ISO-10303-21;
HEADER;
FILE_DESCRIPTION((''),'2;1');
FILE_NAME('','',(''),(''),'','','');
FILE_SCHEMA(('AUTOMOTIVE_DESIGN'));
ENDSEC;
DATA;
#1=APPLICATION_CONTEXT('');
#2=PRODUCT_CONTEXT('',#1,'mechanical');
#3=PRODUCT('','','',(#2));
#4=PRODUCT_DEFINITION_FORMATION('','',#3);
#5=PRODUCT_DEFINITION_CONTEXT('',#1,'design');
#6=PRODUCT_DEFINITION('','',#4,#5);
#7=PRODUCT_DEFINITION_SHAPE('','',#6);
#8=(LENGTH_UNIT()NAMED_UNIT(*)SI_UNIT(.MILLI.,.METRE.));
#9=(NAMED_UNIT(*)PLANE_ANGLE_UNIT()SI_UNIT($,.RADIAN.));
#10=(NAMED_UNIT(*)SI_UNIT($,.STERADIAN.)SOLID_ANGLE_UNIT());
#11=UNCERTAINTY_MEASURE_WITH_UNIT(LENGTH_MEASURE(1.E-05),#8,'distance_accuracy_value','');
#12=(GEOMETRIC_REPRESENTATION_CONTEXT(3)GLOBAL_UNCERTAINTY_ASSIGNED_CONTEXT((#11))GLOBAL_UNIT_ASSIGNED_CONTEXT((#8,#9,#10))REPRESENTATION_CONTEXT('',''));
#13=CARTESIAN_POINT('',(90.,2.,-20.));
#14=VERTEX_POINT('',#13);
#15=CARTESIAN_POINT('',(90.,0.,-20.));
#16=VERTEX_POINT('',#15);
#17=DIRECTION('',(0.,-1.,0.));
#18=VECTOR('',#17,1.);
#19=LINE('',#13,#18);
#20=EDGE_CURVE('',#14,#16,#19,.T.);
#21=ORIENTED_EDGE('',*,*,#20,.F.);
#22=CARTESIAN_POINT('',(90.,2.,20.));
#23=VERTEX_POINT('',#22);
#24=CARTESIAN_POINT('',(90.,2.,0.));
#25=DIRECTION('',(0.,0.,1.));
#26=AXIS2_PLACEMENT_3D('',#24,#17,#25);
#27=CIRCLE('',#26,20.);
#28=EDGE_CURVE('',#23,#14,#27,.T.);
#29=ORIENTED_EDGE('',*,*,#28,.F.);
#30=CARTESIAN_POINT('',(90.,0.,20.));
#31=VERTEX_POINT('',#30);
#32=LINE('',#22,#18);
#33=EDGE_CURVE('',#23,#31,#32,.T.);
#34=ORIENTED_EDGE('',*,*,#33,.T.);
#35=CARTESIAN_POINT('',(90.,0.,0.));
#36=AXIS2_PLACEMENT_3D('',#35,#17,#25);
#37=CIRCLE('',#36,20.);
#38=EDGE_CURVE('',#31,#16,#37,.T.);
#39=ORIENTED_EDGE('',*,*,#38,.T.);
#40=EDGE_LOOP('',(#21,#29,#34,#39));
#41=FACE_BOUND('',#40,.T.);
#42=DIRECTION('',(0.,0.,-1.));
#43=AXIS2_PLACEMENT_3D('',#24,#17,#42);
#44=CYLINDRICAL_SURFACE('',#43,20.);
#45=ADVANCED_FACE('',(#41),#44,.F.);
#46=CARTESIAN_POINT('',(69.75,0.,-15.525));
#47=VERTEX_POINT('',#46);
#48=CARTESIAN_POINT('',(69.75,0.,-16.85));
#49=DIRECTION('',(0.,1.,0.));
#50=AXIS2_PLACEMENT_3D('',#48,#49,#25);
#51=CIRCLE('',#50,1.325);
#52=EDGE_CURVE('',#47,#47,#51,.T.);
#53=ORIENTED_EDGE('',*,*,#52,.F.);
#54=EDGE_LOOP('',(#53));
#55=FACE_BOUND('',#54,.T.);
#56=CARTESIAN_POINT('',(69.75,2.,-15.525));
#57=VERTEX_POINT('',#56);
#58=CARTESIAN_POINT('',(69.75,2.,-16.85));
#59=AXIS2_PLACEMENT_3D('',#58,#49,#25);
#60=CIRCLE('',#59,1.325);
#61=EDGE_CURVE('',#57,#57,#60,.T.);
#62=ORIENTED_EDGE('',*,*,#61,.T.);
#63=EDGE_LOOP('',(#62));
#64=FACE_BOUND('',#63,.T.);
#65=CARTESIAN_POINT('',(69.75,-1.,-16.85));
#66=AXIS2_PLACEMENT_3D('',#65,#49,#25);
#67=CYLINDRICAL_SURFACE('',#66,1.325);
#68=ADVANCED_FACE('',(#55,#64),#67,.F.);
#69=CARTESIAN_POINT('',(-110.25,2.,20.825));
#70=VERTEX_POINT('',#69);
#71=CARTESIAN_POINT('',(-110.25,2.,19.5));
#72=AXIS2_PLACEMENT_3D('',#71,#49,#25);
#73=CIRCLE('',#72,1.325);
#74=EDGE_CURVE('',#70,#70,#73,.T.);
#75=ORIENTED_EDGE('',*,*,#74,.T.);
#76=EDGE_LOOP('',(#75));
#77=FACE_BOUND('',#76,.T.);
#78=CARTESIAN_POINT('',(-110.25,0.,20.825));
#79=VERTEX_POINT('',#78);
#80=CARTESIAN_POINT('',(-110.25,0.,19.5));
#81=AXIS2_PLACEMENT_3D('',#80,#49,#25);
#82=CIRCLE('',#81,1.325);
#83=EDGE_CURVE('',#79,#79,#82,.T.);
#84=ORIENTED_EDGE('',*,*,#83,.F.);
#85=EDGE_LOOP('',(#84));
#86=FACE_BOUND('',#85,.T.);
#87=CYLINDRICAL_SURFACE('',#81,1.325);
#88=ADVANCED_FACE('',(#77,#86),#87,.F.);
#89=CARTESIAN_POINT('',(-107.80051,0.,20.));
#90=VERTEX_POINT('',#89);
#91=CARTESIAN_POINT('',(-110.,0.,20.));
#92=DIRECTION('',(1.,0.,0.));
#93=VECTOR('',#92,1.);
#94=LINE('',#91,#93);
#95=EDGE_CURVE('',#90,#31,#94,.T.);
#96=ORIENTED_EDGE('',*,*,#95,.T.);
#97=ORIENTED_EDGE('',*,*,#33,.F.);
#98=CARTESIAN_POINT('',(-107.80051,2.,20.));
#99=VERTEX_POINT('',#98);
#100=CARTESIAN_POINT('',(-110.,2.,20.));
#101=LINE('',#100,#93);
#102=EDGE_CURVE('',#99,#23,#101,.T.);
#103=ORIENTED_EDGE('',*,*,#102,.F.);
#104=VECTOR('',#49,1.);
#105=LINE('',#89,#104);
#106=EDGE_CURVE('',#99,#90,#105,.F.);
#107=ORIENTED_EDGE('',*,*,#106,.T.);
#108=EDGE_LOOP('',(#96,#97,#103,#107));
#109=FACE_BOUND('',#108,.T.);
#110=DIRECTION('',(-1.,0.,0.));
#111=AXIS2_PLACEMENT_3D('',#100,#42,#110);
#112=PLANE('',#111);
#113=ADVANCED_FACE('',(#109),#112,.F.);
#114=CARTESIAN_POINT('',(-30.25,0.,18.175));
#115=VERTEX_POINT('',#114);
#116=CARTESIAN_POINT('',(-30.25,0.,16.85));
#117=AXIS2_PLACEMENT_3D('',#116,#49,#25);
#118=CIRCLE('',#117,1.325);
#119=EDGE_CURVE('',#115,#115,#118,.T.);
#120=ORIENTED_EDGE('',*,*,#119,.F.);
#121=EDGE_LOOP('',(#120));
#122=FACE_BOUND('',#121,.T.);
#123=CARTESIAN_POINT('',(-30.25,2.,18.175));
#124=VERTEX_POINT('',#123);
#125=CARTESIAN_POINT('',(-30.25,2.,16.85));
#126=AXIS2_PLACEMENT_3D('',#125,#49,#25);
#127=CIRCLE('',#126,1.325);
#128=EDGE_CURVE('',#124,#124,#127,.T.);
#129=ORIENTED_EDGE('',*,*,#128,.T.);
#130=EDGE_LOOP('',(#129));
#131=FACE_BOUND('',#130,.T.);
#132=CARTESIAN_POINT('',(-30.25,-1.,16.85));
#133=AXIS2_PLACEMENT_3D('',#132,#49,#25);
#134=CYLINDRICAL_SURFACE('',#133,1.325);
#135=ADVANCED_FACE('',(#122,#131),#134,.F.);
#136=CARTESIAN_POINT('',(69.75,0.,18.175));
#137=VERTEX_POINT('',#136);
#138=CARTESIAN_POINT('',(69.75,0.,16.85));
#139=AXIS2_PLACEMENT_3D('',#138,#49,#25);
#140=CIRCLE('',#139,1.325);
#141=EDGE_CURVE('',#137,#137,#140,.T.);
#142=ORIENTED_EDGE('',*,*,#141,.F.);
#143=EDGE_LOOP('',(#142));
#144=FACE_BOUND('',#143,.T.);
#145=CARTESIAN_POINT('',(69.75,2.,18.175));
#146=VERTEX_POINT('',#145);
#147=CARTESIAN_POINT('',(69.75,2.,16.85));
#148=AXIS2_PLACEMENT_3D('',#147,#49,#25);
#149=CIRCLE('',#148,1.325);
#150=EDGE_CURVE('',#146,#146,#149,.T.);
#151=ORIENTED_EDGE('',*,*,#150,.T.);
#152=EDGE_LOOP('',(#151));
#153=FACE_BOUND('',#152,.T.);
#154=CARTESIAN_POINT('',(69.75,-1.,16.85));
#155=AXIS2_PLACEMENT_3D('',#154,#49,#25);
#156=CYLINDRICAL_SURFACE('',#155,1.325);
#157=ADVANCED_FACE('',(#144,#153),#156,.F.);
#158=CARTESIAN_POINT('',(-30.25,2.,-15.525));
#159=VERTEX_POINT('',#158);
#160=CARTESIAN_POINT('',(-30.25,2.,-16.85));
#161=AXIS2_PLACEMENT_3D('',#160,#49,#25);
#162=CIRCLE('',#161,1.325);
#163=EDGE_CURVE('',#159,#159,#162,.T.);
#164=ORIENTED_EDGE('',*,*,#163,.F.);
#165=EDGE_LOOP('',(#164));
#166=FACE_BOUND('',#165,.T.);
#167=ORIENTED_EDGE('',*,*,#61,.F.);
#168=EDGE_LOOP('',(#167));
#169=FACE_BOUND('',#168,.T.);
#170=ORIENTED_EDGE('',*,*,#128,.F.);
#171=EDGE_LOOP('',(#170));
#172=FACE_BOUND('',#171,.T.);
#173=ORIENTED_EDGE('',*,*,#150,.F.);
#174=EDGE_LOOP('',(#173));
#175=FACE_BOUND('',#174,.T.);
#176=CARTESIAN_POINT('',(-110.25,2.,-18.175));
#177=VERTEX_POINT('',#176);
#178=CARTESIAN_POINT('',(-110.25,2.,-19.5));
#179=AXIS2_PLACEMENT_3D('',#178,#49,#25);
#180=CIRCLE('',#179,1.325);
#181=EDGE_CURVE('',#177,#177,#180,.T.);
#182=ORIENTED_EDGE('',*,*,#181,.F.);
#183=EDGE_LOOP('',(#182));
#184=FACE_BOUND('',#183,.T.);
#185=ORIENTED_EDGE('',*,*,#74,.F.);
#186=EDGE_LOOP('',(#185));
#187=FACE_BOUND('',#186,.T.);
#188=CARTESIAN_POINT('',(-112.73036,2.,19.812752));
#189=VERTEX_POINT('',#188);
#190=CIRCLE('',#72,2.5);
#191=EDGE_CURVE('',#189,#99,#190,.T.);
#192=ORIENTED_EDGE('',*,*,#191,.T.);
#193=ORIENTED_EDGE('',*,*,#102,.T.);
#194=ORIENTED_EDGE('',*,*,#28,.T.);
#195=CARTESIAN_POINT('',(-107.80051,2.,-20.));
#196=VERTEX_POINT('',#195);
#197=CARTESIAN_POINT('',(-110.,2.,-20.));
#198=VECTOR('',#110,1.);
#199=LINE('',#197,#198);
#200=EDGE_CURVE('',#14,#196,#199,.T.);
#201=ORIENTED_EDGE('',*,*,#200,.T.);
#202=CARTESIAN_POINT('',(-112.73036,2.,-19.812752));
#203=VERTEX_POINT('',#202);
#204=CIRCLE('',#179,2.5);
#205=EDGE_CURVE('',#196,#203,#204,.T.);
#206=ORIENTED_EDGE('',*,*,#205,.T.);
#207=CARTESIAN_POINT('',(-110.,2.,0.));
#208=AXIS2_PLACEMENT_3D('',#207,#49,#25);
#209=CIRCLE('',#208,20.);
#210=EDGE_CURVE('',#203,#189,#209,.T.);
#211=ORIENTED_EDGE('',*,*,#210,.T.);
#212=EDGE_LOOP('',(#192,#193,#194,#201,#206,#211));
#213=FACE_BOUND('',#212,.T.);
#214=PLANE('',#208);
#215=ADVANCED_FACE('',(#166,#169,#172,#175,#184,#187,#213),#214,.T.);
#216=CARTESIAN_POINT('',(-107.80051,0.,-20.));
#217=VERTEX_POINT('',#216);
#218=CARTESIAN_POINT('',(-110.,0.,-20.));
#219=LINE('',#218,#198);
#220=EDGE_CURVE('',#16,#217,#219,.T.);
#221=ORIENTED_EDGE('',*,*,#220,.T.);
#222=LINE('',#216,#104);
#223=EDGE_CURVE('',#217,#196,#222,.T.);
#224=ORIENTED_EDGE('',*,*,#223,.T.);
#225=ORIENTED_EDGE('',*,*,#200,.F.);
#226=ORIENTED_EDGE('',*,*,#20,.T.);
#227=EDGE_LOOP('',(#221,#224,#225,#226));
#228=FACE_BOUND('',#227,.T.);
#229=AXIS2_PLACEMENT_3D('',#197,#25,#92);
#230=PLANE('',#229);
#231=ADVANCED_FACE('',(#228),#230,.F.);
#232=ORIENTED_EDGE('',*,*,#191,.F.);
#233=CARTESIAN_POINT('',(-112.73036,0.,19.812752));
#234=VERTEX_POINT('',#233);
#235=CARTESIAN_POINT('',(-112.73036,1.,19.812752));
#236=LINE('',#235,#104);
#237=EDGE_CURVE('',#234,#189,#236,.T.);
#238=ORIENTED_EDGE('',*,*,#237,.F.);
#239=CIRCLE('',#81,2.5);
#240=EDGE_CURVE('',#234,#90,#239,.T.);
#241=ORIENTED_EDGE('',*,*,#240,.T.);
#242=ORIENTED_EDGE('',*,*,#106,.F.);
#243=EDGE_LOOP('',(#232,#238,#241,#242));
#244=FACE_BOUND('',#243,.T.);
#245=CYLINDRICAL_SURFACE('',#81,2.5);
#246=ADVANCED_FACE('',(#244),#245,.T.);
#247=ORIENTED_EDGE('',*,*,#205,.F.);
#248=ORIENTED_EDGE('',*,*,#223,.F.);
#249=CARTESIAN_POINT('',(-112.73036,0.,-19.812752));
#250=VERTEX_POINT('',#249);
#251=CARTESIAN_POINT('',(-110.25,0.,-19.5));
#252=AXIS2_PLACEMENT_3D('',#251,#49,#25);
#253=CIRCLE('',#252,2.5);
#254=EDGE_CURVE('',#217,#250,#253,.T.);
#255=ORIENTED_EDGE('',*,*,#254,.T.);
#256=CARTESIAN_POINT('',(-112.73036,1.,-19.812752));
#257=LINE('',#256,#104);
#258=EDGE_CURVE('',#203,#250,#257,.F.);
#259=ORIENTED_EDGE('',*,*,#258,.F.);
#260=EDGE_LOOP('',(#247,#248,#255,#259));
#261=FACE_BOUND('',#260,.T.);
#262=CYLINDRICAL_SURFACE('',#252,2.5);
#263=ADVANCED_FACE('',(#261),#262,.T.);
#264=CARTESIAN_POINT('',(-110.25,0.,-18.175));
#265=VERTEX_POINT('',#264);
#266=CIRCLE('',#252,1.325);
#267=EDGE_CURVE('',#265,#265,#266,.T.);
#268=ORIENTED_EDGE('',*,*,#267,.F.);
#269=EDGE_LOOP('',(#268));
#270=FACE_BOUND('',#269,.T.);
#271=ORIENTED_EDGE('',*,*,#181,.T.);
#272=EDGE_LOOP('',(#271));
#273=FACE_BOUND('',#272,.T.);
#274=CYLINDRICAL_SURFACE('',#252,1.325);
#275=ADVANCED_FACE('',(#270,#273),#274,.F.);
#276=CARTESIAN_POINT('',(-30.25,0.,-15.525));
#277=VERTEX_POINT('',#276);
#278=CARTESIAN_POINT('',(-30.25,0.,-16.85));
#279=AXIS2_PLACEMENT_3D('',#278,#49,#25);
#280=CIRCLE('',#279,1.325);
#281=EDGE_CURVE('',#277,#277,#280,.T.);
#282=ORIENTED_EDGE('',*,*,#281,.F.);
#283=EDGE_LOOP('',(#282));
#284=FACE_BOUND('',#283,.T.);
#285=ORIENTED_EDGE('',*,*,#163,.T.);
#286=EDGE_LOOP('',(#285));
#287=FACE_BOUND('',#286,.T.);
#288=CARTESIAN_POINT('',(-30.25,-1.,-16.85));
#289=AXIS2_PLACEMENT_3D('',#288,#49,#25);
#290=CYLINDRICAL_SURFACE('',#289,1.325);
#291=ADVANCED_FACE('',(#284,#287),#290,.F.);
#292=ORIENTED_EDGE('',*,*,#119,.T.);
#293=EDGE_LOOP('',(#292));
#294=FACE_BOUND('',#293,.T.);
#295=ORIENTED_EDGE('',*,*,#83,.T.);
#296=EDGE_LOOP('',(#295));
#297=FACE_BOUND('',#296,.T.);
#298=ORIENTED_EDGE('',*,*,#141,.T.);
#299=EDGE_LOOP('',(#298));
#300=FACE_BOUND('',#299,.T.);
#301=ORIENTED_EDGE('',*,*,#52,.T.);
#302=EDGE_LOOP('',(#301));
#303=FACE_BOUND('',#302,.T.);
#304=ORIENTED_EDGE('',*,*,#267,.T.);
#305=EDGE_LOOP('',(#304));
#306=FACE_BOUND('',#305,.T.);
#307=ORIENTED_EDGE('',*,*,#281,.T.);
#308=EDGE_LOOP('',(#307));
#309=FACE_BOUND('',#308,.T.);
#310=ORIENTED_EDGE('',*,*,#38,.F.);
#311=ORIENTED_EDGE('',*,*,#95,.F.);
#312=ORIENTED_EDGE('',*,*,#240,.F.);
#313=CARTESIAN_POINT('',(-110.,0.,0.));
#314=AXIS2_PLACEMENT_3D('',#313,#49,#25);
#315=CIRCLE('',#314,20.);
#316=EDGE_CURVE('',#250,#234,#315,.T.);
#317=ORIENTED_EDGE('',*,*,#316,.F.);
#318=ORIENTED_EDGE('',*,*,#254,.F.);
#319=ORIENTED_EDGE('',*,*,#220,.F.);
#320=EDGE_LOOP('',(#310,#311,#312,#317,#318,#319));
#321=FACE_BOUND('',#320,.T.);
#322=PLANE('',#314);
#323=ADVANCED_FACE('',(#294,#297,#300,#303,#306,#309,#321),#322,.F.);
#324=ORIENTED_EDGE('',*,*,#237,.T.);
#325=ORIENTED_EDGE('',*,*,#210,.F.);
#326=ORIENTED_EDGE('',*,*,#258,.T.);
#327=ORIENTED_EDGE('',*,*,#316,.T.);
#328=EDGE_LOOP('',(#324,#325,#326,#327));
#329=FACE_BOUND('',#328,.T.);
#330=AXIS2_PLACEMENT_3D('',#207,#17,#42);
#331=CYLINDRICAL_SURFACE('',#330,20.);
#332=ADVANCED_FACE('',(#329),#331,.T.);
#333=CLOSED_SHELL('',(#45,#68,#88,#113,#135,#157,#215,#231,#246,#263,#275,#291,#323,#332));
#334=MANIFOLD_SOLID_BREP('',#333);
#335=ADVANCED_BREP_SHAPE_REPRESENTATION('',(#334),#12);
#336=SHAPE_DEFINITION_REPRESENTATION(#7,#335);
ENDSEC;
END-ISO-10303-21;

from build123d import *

# Parameters (mm, degrees)
BOSS_EXTRUDE1_DEPTH = 2
SKETCH3_R           = 1.325
CUT_EXTRUDE2_DEPTH  = 3
SKETCH6_R           = 2.5
BOSS_EXTRUDE2_DEPTH = 2
SKETCH7_R           = 1.325
CUT_EXTRUDE3_DEPTH  = 132.863565855


with BuildPart() as part:
    # Sketch1 → Boss-Extrude1 (new body)
    with BuildSketch(Plane(origin=(0, 0, 0), x_dir=(1, 0, 0), z_dir=(0, 1, 0))):
        with BuildLine():
            Line((-110, 20), (90, 20))
            ThreePointArc((90, 20), (70, 0), (90, -20))
            Line((90, -20), (-110, -20))
            ThreePointArc((-110, -20), (-130, 0), (-110, 20))
        make_face()
    extrude(amount=BOSS_EXTRUDE1_DEPTH)

    # Sketch3 → Cut-Extrude2 (cut)
    with BuildSketch(Plane(origin=(0, 2, 0), x_dir=(1, 0, 0), z_dir=(0, 1, 0))):
        with Locations(Location((69.75, -16.85, 0), (0, 0, 270))):
            Circle(SKETCH3_R)
        with Locations(Location((69.75, 16.85, 0), (0, 0, 270))):
            Circle(SKETCH3_R)
        with Locations(Location((-30.25, -16.85, 0), (0, 0, 270))):
            Circle(SKETCH3_R)
        with Locations(Location((-30.25, 16.85, 0), (0, 0, 270))):
            Circle(SKETCH3_R)
    extrude(amount=-CUT_EXTRUDE2_DEPTH, mode=Mode.SUBTRACT)

    # Sketch6 → Boss-Extrude2 (add)
    with BuildSketch(Plane(origin=(0, 2, 0), x_dir=(1, 0, 0), z_dir=(0, 1, 0))):
        with Locations((-110.25, -19.5)):
            Circle(SKETCH6_R)
        with Locations((-110.25, 19.5)):
            Circle(SKETCH6_R)
    extrude(amount=-BOSS_EXTRUDE2_DEPTH)

    # Sketch7 → Cut-Extrude3 (cut, through all)
    with BuildSketch(Plane(origin=(0, 2, 0), x_dir=(1, 0, 0), z_dir=(0, 1, 0))):
        with Locations(Location((-110.25, 19.5, 0), (0, 0, 270))):
            Circle(SKETCH7_R)
        with Locations(Location((-110.25, -19.5, 0), (0, 0, 270))):
            Circle(SKETCH7_R)
    extrude(amount=-CUT_EXTRUDE3_DEPTH, mode=Mode.SUBTRACT)


solid = part.part
